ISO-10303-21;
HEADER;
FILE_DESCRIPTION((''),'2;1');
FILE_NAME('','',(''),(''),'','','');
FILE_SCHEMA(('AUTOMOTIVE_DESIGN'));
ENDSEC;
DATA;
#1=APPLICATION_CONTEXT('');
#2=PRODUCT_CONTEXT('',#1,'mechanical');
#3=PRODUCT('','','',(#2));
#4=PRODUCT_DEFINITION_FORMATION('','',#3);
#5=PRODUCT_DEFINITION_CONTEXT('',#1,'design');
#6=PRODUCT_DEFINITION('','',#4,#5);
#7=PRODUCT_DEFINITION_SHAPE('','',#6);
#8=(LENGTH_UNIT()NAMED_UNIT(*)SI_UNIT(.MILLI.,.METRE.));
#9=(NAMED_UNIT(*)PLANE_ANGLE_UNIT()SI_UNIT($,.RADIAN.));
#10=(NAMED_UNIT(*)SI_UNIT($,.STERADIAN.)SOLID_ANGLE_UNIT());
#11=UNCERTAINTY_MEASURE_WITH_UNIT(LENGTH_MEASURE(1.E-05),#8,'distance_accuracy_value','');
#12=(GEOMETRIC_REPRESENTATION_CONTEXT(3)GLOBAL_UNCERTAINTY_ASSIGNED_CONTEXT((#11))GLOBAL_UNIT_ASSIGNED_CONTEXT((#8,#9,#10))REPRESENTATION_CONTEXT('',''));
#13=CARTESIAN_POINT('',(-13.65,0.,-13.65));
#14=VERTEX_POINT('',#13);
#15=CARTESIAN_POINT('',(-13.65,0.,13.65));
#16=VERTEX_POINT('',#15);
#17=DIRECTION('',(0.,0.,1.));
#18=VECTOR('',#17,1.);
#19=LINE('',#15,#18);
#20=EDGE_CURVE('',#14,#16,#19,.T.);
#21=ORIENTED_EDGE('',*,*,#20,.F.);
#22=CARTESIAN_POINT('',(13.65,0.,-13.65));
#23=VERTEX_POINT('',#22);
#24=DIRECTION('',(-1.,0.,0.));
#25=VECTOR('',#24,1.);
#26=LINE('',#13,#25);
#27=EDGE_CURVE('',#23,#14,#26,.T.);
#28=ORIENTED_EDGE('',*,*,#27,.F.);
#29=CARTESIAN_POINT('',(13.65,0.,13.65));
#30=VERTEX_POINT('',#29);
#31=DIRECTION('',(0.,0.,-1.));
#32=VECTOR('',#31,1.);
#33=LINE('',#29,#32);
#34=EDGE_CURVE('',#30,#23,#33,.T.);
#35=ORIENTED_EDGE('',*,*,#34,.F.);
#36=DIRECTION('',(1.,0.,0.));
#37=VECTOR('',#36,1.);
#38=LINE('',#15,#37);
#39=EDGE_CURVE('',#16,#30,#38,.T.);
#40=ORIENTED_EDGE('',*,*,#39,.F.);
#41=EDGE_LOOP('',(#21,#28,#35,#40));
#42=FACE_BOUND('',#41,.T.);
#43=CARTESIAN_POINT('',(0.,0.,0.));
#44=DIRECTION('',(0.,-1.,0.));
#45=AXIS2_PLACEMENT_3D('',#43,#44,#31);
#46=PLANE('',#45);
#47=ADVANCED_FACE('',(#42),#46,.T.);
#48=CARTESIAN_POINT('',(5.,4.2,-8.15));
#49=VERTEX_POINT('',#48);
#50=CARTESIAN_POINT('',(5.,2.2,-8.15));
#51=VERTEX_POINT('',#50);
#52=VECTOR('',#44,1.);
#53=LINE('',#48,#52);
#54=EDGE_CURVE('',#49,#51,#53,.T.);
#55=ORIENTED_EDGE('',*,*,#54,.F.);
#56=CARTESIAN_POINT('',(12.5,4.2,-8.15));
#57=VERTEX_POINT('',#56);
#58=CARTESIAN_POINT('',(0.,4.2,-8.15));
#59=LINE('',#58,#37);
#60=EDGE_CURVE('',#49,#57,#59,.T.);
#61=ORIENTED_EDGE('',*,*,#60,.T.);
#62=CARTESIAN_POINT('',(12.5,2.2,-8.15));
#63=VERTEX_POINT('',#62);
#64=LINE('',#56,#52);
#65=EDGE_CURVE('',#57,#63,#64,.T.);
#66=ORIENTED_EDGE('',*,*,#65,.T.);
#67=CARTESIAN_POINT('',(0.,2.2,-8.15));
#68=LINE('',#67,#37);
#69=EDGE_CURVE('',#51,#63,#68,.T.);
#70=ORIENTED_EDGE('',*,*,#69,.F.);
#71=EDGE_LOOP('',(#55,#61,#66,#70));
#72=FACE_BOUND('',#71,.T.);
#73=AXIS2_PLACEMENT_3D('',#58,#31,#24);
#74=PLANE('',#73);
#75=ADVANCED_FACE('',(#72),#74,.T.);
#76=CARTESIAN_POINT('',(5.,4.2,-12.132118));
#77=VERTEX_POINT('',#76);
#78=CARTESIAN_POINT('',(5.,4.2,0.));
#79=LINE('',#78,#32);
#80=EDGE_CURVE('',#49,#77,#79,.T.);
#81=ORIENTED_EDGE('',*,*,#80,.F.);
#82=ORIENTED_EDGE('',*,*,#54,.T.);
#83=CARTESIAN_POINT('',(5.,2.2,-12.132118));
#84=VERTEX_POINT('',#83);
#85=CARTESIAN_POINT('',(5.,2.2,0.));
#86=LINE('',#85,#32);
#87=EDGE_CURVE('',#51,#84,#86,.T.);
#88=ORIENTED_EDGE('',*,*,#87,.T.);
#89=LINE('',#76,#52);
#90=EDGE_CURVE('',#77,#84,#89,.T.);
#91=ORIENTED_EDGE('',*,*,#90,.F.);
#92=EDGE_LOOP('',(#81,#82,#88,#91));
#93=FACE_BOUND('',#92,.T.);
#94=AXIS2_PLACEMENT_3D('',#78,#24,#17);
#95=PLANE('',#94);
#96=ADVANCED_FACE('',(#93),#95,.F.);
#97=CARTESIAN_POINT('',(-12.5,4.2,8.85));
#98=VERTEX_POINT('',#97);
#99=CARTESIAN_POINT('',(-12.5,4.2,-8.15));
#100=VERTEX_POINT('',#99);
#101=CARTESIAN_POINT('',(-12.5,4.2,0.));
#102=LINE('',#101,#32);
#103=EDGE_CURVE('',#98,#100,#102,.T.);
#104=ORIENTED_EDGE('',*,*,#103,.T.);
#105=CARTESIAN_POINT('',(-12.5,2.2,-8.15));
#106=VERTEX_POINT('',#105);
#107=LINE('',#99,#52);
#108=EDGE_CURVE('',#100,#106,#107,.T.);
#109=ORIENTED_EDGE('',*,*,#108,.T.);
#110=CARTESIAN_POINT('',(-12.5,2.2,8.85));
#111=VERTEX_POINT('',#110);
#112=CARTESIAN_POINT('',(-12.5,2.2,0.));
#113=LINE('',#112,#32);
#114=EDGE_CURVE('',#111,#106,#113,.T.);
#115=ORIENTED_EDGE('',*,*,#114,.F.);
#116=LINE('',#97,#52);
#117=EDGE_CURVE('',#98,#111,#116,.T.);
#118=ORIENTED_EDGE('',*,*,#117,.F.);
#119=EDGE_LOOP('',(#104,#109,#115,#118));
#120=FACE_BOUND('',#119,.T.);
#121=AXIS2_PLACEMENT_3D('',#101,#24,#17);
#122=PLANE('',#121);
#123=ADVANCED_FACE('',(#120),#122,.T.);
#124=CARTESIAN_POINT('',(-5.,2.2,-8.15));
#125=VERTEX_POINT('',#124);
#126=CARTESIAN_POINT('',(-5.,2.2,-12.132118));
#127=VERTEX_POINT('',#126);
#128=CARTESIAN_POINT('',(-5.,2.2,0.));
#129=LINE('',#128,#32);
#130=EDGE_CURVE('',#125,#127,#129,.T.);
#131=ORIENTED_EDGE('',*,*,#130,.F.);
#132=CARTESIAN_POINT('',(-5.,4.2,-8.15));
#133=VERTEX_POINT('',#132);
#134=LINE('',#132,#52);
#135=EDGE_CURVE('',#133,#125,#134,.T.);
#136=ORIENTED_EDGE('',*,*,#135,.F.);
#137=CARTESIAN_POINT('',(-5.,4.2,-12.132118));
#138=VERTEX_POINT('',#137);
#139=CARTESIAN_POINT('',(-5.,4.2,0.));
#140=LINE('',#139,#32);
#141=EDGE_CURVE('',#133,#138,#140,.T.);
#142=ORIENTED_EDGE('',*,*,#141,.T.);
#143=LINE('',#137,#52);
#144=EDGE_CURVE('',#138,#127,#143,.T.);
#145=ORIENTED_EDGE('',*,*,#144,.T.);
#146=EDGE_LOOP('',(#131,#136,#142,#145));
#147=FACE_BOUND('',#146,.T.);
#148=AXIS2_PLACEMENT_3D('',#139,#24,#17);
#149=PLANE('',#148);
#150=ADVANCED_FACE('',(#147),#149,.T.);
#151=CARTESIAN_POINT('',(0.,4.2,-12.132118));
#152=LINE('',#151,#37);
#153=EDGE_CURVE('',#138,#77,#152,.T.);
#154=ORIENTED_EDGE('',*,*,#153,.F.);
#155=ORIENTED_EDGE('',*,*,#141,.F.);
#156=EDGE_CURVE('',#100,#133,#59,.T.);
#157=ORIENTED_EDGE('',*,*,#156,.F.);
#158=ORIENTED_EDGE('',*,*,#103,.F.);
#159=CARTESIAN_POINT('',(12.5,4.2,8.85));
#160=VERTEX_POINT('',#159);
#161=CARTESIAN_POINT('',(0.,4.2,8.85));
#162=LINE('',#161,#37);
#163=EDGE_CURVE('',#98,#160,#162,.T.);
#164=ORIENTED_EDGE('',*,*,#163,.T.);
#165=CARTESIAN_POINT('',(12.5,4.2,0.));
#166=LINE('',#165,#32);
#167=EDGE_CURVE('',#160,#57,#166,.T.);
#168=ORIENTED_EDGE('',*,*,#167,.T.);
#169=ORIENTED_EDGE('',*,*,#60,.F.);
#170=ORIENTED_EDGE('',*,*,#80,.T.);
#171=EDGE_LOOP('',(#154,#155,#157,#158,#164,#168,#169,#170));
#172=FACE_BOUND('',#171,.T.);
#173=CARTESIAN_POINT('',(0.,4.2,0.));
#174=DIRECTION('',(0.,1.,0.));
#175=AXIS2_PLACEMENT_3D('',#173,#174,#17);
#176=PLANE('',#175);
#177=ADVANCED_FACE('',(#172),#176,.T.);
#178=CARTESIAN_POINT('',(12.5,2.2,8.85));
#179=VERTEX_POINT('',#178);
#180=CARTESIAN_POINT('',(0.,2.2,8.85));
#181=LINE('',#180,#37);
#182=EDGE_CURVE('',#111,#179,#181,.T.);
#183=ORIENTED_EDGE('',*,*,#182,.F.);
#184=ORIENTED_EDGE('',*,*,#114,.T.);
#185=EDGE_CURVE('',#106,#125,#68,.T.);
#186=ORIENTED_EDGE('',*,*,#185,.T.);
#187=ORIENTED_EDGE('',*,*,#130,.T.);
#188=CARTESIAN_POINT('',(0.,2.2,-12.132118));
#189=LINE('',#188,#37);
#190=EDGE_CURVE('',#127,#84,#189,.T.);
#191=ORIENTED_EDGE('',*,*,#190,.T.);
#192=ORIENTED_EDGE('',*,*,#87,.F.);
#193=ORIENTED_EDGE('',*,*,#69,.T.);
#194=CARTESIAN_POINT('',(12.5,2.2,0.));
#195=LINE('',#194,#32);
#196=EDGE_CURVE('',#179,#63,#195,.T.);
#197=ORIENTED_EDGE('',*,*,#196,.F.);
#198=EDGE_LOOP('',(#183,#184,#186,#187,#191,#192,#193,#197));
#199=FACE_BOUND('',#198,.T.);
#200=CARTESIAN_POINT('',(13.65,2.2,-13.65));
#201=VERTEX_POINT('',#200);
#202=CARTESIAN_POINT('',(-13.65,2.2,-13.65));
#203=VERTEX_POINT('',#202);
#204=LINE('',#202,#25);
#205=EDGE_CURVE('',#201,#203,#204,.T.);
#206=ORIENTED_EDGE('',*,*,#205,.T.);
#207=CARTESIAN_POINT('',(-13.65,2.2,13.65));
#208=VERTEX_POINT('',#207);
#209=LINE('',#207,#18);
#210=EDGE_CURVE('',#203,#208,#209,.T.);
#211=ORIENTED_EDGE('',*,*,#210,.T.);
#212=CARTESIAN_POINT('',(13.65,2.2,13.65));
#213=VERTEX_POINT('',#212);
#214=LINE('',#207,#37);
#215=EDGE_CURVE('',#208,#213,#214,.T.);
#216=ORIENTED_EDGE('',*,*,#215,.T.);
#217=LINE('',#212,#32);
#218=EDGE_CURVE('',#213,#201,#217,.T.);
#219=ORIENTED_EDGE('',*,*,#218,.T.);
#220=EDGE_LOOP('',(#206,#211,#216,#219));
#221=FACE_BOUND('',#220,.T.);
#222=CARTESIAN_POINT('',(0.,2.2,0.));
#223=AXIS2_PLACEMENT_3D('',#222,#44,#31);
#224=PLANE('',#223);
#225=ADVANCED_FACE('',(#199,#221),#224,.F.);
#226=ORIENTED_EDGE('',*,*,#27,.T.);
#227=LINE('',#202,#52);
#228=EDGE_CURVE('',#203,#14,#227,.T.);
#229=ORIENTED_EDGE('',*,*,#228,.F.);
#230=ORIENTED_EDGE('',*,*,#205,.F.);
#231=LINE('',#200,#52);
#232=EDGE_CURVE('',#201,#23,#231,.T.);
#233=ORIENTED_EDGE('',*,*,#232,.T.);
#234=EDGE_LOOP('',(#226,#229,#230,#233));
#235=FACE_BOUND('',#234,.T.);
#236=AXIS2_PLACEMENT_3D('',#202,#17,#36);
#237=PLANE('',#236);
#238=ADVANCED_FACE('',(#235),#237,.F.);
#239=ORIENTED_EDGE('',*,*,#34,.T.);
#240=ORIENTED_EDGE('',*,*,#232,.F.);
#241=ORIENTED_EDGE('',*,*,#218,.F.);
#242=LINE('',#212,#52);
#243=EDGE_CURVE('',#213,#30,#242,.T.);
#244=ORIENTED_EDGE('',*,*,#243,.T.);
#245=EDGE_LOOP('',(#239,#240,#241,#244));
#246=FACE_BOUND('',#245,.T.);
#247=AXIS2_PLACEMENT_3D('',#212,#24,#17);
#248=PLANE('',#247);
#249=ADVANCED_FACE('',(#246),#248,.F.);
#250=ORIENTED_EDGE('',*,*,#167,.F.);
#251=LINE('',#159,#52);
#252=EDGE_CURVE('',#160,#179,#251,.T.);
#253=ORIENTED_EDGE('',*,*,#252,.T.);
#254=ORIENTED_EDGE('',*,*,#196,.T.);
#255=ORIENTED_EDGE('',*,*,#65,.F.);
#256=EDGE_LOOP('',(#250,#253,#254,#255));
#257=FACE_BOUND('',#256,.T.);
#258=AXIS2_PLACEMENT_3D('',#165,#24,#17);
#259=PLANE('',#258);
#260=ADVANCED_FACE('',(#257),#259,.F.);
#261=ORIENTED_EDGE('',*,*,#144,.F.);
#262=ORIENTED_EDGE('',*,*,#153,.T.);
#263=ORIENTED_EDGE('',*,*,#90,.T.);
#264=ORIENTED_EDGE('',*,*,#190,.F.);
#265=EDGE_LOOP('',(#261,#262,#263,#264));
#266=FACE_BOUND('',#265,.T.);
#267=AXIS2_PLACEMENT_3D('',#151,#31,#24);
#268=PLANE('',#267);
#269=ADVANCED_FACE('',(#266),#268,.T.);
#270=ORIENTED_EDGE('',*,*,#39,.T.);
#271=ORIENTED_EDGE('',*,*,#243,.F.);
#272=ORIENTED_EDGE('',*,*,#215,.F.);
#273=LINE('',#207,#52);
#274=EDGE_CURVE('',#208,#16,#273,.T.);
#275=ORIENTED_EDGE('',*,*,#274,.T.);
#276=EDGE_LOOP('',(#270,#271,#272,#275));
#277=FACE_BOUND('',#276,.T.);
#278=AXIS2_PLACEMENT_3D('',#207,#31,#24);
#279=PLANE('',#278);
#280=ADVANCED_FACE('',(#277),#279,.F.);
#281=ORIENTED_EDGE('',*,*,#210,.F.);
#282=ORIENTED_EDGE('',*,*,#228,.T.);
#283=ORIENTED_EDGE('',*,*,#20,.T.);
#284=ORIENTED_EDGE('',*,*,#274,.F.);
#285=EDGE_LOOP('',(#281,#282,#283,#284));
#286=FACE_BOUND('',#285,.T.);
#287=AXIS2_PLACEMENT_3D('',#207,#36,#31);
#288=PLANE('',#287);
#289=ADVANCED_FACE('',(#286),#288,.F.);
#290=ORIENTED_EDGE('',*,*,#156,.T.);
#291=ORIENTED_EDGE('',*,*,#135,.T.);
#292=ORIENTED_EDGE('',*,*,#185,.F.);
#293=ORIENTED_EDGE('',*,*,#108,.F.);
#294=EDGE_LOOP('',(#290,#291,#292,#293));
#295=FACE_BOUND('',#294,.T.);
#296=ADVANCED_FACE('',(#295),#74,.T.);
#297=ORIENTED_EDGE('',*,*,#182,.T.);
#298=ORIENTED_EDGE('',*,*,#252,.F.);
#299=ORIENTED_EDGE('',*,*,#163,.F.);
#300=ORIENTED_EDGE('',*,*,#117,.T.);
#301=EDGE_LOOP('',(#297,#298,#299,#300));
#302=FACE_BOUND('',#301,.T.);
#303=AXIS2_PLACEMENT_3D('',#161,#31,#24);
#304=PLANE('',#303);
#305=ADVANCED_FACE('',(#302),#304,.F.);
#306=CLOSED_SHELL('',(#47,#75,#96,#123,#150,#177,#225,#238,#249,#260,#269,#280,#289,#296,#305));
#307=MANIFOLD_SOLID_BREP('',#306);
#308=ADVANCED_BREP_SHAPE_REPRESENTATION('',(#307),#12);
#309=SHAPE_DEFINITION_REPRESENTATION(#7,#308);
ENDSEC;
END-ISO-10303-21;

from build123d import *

# Parameters (mm, degrees)
SKETCH1_W           = 27.3
SKETCH1_H           = 27.3
BOSS_EXTRUDE1_DEPTH = 2.2
SKETCH2_W           = 10
SKETCH2_H           = 3.982118458
BOSS_EXTRUDE3_DEPTH = 2


with BuildPart() as part:
    # Sketch1 → Boss-Extrude1 (new body)
    with BuildSketch(Plane(origin=(0, 0, 0), x_dir=(1, 0, 0), z_dir=(0, 1, 0))):
        Rectangle(SKETCH1_W, SKETCH1_H)
    extrude(amount=BOSS_EXTRUDE1_DEPTH)

    # Sketch2 → Boss-Extrude3 (add)
    with BuildSketch(Plane(origin=(0, 2.2, 0), x_dir=(1, 0, 0), z_dir=(0, 1, 0))):
        with Locations((0, 10.141059229)):
            Rectangle(SKETCH2_W, SKETCH2_H)
        Polygon((-12.5, 8.15), (-12.5, -8.85), (12.5, -8.85), (12.5, 8.15), (5, 8.15), (5, 4.167881542), (-5, 4.167881542), (-5, 8.15), align=None)
        with Locations((0, 6.158940771)):
            Rectangle(SKETCH2_W, SKETCH2_H)
    extrude(amount=BOSS_EXTRUDE3_DEPTH)


solid = part.part
